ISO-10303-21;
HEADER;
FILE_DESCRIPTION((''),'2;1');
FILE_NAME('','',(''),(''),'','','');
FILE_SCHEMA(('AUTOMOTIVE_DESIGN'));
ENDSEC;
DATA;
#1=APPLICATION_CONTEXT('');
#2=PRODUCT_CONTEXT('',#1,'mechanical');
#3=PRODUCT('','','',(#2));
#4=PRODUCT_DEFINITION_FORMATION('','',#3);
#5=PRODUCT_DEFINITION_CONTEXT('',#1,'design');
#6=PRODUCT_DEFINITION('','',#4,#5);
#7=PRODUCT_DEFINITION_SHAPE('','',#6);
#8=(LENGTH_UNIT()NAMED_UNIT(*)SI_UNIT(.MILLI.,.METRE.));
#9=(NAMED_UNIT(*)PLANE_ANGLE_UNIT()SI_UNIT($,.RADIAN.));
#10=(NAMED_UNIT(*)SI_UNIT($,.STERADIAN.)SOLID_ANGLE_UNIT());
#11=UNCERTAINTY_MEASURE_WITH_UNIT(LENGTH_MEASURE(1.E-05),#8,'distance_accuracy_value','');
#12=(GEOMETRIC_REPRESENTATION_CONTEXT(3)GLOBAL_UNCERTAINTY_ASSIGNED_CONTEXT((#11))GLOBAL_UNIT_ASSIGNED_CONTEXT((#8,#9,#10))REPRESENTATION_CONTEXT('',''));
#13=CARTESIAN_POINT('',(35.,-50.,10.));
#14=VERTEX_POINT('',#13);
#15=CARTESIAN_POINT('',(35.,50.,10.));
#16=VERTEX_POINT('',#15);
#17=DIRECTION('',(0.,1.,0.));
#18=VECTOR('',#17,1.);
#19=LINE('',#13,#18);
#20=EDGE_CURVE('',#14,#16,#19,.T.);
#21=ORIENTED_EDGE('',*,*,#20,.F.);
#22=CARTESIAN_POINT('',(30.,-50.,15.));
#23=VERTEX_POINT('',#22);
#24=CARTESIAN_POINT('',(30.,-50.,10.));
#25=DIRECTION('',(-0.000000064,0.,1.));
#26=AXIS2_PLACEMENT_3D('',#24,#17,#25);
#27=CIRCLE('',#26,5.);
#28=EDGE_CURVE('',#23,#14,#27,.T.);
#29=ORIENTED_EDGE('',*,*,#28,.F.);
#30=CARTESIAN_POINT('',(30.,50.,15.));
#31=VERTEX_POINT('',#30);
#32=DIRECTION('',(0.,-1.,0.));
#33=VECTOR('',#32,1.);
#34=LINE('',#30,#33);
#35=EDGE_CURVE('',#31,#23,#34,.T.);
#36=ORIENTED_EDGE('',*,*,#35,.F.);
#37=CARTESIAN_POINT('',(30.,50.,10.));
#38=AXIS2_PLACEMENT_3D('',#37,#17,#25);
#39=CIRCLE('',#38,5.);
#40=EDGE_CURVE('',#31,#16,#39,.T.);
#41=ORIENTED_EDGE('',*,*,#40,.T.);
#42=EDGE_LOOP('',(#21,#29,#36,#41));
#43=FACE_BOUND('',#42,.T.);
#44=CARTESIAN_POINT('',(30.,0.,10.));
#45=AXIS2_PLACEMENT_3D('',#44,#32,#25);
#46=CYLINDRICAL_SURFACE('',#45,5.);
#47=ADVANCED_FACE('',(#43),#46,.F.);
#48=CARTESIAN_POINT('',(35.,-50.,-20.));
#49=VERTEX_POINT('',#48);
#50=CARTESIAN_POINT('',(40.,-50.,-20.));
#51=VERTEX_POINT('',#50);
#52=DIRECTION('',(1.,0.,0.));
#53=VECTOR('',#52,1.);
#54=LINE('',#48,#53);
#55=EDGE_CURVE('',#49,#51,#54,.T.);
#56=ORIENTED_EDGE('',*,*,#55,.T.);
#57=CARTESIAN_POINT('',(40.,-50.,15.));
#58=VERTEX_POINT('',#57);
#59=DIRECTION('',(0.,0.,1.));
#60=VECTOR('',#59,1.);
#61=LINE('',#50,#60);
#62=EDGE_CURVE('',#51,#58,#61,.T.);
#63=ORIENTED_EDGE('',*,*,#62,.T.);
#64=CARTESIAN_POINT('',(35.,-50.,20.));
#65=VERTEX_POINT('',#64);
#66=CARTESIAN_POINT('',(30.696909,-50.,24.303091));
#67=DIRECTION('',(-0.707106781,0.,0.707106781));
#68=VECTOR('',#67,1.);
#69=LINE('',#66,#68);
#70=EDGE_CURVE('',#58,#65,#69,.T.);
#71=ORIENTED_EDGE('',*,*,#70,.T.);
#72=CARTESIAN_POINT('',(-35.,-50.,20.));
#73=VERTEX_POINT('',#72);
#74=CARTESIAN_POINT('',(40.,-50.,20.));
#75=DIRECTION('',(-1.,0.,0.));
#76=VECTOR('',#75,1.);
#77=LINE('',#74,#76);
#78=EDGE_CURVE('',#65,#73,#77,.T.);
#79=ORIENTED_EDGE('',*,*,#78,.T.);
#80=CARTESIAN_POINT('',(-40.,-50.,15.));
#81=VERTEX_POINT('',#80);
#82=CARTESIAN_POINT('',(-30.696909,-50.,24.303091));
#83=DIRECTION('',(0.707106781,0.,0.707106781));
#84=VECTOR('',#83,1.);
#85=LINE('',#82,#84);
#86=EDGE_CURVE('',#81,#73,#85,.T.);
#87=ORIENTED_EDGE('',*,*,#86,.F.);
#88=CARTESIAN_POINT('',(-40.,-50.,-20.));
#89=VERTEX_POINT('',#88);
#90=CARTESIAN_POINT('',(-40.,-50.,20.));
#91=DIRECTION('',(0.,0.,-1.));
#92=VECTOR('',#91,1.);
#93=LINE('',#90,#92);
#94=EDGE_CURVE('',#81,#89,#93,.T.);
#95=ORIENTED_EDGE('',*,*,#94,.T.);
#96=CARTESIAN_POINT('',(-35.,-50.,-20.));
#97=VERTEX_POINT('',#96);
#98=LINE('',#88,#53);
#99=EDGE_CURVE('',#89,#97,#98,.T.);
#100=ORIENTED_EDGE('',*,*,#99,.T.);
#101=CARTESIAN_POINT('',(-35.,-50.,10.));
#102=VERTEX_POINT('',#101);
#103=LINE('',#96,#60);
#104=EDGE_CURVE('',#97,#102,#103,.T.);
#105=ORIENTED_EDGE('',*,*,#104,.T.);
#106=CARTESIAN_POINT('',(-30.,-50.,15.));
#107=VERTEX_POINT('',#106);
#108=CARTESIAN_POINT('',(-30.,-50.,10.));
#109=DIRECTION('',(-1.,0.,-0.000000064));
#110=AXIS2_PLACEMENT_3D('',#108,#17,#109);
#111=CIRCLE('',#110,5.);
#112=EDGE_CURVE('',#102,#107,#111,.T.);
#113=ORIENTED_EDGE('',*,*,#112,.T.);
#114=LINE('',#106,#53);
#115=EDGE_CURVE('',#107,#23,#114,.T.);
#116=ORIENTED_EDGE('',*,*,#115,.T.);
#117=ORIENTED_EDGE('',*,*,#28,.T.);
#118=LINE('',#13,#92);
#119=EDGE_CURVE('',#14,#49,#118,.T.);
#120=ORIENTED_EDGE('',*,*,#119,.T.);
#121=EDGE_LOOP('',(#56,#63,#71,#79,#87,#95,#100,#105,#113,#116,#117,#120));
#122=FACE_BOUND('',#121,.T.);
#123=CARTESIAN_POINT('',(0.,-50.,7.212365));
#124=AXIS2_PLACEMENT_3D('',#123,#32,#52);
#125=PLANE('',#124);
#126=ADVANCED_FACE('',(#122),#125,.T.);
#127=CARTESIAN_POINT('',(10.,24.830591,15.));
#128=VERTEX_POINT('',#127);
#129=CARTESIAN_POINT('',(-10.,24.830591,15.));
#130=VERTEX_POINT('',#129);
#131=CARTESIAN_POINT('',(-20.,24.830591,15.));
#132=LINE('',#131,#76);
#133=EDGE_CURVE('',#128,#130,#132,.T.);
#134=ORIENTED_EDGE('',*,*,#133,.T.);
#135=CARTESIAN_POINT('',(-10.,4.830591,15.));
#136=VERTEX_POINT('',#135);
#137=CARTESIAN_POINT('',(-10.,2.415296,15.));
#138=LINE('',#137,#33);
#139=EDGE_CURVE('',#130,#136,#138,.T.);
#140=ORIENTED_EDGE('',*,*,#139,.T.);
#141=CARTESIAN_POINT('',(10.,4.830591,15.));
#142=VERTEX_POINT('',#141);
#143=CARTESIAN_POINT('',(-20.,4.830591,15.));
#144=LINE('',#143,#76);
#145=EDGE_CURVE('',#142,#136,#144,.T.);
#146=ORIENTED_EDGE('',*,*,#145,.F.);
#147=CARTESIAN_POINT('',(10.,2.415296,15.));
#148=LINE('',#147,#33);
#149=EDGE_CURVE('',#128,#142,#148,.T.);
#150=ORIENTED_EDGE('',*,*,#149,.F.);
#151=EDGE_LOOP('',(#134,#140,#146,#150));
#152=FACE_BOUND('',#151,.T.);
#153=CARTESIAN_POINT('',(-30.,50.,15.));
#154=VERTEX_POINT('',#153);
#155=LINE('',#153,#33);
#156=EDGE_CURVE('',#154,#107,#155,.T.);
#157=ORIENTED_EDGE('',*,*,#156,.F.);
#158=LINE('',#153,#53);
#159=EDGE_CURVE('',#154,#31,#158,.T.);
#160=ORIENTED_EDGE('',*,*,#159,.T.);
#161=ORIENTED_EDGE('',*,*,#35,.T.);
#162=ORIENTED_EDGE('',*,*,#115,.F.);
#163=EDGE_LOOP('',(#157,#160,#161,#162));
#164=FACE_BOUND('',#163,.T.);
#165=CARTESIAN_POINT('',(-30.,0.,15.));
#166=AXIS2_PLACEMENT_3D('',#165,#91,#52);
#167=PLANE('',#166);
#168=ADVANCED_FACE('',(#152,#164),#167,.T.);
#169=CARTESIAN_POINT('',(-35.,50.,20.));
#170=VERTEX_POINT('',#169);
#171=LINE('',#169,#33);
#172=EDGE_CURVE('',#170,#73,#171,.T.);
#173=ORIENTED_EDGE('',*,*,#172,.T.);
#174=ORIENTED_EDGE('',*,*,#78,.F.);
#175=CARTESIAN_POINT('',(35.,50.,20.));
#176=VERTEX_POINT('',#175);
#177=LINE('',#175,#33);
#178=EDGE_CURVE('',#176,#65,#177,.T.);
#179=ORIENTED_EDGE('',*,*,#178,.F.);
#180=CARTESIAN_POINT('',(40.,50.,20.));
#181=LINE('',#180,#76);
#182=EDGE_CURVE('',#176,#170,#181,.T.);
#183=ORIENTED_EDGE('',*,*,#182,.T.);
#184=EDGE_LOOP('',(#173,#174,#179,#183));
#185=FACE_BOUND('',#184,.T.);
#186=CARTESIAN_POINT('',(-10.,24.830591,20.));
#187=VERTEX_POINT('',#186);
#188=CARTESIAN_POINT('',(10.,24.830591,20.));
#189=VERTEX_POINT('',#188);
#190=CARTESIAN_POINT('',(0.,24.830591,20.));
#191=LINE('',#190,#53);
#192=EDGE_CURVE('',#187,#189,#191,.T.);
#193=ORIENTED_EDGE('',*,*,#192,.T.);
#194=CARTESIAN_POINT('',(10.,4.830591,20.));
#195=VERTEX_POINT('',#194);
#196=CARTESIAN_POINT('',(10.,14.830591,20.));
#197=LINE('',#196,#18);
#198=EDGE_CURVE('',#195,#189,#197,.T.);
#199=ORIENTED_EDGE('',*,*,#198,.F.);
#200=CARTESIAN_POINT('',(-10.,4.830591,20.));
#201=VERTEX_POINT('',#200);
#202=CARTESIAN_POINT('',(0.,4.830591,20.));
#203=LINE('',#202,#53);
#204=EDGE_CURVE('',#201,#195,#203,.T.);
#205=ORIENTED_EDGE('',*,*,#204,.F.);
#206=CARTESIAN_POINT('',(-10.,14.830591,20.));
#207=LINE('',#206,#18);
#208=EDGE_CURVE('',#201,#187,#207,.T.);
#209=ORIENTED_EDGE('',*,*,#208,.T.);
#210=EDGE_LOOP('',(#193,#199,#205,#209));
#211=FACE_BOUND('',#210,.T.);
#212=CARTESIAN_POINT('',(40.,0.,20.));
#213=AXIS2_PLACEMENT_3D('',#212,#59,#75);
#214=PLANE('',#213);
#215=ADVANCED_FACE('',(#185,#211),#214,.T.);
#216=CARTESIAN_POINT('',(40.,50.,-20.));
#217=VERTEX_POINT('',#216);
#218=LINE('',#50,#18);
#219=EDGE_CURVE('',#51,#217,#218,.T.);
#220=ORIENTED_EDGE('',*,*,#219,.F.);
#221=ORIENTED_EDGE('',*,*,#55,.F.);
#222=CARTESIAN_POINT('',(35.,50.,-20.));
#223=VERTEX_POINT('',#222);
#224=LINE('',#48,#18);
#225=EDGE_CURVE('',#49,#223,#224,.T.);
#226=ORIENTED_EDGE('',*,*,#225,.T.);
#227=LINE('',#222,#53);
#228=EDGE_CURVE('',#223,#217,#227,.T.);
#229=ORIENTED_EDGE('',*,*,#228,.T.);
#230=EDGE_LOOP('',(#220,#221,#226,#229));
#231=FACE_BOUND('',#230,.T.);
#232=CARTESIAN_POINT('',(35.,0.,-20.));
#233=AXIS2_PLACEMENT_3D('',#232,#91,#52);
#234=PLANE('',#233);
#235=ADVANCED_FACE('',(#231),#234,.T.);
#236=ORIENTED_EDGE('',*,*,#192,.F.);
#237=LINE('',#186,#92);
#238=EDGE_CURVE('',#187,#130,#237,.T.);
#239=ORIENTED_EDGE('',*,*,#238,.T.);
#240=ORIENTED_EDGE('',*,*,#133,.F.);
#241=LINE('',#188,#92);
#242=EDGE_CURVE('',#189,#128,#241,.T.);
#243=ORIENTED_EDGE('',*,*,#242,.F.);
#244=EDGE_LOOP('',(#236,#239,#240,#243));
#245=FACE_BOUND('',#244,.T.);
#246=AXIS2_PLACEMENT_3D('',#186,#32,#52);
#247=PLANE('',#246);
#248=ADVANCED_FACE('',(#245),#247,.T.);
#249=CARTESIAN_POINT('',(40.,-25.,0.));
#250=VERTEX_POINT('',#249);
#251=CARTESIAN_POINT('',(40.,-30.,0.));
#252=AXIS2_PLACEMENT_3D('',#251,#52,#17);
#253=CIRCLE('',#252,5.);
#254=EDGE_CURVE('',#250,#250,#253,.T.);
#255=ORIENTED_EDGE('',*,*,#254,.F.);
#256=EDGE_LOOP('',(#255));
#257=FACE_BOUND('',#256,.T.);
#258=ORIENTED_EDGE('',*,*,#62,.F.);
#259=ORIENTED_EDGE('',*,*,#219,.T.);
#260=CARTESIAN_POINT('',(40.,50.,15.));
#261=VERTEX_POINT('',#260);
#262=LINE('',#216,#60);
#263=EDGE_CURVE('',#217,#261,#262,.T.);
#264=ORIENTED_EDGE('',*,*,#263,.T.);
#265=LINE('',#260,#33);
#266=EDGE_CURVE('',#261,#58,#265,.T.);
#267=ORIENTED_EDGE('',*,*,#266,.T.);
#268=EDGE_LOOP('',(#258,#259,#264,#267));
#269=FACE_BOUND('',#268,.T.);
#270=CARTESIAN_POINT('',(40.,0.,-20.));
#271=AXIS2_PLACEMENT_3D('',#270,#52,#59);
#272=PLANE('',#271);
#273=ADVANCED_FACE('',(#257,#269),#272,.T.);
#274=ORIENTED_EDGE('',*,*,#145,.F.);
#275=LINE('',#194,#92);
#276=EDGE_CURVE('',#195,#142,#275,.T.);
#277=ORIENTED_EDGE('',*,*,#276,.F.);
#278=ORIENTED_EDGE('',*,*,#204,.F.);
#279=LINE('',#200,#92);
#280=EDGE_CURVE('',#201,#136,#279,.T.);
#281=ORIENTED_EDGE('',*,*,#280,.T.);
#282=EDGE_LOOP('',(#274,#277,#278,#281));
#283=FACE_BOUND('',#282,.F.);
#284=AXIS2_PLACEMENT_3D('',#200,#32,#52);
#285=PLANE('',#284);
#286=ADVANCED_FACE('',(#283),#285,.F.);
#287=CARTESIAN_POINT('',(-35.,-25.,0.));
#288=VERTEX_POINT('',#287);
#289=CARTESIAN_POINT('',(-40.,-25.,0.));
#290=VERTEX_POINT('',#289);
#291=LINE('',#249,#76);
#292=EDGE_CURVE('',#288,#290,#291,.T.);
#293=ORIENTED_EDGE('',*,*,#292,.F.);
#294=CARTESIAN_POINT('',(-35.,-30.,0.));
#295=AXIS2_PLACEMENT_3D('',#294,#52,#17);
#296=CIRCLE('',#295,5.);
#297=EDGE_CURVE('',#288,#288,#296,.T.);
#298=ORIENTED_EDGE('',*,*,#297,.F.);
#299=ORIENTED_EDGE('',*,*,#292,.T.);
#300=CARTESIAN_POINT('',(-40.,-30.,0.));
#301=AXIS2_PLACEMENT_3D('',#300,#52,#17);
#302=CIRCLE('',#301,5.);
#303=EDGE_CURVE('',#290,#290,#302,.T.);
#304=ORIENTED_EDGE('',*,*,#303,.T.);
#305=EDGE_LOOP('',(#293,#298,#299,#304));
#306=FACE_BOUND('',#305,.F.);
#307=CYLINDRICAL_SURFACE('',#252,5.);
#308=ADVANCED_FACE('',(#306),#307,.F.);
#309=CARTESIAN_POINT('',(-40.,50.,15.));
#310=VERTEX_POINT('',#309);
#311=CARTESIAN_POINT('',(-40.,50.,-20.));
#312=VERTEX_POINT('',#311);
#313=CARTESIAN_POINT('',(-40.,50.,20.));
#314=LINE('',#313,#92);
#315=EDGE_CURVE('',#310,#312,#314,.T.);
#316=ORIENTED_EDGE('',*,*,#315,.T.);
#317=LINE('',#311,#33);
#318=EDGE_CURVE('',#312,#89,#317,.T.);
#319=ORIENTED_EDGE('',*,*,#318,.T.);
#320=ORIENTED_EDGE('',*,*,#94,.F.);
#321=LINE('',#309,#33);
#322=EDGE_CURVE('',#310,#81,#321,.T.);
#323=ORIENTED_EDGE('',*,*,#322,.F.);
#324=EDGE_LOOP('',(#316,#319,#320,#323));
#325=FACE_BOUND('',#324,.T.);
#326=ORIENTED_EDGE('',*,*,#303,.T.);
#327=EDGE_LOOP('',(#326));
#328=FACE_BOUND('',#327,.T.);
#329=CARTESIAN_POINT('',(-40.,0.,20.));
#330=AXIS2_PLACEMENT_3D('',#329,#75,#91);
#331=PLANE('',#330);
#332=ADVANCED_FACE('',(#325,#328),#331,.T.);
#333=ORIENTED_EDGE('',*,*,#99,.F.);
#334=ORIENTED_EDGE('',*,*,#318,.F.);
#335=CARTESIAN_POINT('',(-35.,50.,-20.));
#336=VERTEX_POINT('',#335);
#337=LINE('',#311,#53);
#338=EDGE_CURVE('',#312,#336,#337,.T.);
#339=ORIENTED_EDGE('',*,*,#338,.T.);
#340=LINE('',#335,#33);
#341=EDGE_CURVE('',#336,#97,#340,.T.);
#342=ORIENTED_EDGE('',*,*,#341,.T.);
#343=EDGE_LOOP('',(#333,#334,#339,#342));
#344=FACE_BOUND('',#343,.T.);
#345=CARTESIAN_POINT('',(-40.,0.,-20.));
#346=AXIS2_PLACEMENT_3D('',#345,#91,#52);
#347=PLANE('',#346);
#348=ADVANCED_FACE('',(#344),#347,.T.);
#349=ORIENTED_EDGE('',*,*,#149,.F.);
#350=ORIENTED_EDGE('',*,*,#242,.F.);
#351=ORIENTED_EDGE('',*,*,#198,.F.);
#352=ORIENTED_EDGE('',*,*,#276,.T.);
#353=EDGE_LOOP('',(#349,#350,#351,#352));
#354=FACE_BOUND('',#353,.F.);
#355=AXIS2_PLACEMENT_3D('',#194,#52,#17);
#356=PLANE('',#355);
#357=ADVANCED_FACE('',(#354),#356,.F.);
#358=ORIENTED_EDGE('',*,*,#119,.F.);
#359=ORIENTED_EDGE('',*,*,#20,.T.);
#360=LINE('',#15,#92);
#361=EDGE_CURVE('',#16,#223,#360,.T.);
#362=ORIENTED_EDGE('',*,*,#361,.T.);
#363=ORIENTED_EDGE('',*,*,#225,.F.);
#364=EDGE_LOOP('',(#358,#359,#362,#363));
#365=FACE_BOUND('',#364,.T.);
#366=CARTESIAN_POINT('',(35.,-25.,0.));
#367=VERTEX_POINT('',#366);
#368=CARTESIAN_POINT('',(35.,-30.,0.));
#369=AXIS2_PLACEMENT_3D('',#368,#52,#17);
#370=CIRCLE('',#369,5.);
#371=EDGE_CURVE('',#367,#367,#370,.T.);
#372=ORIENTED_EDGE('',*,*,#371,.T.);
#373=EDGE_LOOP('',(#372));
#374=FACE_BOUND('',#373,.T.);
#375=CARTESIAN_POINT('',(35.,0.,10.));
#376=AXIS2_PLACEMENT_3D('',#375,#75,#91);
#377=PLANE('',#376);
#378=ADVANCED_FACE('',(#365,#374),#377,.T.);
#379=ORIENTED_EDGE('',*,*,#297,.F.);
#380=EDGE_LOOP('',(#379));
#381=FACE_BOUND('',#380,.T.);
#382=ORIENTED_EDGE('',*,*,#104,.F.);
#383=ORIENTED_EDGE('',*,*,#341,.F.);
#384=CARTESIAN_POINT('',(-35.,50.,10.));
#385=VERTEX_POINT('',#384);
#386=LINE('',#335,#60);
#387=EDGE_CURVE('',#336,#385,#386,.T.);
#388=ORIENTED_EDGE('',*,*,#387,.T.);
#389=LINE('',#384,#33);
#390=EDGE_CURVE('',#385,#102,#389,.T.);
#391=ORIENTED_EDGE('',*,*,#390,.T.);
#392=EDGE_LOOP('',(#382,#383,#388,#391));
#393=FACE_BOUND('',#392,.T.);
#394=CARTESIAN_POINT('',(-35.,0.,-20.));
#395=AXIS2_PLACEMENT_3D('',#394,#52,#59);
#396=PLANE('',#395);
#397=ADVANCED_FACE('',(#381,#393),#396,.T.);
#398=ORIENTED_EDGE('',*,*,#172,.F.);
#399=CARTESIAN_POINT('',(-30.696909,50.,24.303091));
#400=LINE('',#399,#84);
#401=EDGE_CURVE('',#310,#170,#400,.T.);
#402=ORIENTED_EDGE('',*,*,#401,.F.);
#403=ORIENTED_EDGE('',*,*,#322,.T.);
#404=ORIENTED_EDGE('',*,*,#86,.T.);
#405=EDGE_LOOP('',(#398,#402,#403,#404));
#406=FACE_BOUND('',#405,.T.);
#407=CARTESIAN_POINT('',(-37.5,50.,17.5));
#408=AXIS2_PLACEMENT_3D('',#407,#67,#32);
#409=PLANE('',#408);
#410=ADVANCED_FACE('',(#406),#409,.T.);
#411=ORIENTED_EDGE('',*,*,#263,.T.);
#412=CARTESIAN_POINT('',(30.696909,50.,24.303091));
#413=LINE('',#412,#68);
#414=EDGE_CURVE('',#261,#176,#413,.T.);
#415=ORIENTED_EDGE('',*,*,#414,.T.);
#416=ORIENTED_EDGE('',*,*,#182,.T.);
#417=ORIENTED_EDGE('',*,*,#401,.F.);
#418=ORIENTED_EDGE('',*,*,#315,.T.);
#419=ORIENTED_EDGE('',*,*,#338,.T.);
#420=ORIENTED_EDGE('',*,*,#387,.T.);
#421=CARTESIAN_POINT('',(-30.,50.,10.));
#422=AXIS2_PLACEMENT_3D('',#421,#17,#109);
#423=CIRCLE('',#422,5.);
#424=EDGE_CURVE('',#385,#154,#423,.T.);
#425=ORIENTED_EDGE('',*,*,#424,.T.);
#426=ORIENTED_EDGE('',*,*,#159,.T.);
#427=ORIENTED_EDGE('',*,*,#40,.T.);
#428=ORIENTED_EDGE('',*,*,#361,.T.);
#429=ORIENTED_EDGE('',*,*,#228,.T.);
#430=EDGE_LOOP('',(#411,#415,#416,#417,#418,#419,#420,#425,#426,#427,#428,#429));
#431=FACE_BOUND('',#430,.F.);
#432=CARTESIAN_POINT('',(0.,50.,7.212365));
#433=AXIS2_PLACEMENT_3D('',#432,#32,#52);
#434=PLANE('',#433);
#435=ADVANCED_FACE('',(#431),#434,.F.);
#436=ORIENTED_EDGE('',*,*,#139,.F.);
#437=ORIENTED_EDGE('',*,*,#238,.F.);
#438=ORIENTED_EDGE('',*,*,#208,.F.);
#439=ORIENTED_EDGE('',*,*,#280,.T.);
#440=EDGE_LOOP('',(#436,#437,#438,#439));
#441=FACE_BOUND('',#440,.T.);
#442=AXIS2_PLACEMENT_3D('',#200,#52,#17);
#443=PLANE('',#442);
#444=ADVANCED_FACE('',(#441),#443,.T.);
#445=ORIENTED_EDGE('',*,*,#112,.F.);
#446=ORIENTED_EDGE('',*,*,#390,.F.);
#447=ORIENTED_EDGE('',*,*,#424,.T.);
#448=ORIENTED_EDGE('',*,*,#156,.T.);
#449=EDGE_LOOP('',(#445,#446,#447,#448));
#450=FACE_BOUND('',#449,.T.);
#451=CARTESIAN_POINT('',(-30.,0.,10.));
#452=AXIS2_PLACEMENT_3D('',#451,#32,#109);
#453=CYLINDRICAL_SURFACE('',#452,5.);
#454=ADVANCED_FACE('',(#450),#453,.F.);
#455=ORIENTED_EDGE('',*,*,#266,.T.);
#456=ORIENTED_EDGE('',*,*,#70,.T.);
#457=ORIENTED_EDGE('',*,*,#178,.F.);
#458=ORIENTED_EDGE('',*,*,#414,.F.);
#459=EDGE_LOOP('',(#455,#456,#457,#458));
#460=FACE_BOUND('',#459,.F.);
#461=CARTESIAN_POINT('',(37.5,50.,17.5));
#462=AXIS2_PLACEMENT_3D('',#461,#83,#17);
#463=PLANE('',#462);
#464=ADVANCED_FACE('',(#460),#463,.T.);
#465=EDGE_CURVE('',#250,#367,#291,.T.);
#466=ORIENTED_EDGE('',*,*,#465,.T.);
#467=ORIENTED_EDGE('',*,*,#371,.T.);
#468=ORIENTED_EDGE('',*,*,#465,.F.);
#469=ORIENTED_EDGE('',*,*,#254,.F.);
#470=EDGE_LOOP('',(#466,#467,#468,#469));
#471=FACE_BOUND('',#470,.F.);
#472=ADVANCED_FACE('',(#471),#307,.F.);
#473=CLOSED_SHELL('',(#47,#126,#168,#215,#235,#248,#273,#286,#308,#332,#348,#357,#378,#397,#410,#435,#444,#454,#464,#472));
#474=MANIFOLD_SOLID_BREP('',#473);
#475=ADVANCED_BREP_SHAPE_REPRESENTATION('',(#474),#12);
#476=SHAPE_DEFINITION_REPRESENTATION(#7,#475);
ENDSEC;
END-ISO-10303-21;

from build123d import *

# Parameters (mm, degrees)
F1_DEPTH = 50
F2_SIZE  = 5
F3_W     = 20
F3_H     = 20
F4_DEPTH = 10
F5_R     = 5
F6_DEPTH = 100


with BuildPart() as f1:
    # F0 (on Front) → F1 (new body, symmetric)
    with BuildSketch(Plane.XZ):
        with BuildLine():
            Line((40, -20), (40, 20))
            Line((40, 20), (-40, 20))
            Line((-40, 20), (-40, -20))
            Line((-40, -20), (-35, -20))
            Line((-35, -20), (-35, 10))
            ThreePointArc((-35, 10), (-33.535534, 13.535534), (-30, 15))
            Line((-30, 15), (30, 15))
            ThreePointArc((30, 15), (33.535534, 13.535534), (35, 10))
            Line((35, 10), (35, -20))
            Line((35, -20), (40, -20))
        make_face()
    extrude(amount=F1_DEPTH, both=True)

    # F2
    f2_edges = [f1.edges().sort_by_distance(p)[0] for p in [
        (40, 0, 20),
        (-40, 0, 20),
    ]]
    chamfer(f2_edges, length=F2_SIZE)

    # F3 (on face) → F4 (cut)
    with BuildSketch(Plane.XY.offset(20)):
        with Locations((0, 14.830591)):
            Rectangle(F3_W, F3_H)
    extrude(amount=-F4_DEPTH, mode=Mode.SUBTRACT)

    # F5 (on face) → F6 (cut)
    with BuildSketch(Plane.YZ.offset(40)):
        with Locations((-30, 0)):
            Circle(F5_R)
    extrude(amount=-F6_DEPTH, mode=Mode.SUBTRACT)


solid = f1.part
